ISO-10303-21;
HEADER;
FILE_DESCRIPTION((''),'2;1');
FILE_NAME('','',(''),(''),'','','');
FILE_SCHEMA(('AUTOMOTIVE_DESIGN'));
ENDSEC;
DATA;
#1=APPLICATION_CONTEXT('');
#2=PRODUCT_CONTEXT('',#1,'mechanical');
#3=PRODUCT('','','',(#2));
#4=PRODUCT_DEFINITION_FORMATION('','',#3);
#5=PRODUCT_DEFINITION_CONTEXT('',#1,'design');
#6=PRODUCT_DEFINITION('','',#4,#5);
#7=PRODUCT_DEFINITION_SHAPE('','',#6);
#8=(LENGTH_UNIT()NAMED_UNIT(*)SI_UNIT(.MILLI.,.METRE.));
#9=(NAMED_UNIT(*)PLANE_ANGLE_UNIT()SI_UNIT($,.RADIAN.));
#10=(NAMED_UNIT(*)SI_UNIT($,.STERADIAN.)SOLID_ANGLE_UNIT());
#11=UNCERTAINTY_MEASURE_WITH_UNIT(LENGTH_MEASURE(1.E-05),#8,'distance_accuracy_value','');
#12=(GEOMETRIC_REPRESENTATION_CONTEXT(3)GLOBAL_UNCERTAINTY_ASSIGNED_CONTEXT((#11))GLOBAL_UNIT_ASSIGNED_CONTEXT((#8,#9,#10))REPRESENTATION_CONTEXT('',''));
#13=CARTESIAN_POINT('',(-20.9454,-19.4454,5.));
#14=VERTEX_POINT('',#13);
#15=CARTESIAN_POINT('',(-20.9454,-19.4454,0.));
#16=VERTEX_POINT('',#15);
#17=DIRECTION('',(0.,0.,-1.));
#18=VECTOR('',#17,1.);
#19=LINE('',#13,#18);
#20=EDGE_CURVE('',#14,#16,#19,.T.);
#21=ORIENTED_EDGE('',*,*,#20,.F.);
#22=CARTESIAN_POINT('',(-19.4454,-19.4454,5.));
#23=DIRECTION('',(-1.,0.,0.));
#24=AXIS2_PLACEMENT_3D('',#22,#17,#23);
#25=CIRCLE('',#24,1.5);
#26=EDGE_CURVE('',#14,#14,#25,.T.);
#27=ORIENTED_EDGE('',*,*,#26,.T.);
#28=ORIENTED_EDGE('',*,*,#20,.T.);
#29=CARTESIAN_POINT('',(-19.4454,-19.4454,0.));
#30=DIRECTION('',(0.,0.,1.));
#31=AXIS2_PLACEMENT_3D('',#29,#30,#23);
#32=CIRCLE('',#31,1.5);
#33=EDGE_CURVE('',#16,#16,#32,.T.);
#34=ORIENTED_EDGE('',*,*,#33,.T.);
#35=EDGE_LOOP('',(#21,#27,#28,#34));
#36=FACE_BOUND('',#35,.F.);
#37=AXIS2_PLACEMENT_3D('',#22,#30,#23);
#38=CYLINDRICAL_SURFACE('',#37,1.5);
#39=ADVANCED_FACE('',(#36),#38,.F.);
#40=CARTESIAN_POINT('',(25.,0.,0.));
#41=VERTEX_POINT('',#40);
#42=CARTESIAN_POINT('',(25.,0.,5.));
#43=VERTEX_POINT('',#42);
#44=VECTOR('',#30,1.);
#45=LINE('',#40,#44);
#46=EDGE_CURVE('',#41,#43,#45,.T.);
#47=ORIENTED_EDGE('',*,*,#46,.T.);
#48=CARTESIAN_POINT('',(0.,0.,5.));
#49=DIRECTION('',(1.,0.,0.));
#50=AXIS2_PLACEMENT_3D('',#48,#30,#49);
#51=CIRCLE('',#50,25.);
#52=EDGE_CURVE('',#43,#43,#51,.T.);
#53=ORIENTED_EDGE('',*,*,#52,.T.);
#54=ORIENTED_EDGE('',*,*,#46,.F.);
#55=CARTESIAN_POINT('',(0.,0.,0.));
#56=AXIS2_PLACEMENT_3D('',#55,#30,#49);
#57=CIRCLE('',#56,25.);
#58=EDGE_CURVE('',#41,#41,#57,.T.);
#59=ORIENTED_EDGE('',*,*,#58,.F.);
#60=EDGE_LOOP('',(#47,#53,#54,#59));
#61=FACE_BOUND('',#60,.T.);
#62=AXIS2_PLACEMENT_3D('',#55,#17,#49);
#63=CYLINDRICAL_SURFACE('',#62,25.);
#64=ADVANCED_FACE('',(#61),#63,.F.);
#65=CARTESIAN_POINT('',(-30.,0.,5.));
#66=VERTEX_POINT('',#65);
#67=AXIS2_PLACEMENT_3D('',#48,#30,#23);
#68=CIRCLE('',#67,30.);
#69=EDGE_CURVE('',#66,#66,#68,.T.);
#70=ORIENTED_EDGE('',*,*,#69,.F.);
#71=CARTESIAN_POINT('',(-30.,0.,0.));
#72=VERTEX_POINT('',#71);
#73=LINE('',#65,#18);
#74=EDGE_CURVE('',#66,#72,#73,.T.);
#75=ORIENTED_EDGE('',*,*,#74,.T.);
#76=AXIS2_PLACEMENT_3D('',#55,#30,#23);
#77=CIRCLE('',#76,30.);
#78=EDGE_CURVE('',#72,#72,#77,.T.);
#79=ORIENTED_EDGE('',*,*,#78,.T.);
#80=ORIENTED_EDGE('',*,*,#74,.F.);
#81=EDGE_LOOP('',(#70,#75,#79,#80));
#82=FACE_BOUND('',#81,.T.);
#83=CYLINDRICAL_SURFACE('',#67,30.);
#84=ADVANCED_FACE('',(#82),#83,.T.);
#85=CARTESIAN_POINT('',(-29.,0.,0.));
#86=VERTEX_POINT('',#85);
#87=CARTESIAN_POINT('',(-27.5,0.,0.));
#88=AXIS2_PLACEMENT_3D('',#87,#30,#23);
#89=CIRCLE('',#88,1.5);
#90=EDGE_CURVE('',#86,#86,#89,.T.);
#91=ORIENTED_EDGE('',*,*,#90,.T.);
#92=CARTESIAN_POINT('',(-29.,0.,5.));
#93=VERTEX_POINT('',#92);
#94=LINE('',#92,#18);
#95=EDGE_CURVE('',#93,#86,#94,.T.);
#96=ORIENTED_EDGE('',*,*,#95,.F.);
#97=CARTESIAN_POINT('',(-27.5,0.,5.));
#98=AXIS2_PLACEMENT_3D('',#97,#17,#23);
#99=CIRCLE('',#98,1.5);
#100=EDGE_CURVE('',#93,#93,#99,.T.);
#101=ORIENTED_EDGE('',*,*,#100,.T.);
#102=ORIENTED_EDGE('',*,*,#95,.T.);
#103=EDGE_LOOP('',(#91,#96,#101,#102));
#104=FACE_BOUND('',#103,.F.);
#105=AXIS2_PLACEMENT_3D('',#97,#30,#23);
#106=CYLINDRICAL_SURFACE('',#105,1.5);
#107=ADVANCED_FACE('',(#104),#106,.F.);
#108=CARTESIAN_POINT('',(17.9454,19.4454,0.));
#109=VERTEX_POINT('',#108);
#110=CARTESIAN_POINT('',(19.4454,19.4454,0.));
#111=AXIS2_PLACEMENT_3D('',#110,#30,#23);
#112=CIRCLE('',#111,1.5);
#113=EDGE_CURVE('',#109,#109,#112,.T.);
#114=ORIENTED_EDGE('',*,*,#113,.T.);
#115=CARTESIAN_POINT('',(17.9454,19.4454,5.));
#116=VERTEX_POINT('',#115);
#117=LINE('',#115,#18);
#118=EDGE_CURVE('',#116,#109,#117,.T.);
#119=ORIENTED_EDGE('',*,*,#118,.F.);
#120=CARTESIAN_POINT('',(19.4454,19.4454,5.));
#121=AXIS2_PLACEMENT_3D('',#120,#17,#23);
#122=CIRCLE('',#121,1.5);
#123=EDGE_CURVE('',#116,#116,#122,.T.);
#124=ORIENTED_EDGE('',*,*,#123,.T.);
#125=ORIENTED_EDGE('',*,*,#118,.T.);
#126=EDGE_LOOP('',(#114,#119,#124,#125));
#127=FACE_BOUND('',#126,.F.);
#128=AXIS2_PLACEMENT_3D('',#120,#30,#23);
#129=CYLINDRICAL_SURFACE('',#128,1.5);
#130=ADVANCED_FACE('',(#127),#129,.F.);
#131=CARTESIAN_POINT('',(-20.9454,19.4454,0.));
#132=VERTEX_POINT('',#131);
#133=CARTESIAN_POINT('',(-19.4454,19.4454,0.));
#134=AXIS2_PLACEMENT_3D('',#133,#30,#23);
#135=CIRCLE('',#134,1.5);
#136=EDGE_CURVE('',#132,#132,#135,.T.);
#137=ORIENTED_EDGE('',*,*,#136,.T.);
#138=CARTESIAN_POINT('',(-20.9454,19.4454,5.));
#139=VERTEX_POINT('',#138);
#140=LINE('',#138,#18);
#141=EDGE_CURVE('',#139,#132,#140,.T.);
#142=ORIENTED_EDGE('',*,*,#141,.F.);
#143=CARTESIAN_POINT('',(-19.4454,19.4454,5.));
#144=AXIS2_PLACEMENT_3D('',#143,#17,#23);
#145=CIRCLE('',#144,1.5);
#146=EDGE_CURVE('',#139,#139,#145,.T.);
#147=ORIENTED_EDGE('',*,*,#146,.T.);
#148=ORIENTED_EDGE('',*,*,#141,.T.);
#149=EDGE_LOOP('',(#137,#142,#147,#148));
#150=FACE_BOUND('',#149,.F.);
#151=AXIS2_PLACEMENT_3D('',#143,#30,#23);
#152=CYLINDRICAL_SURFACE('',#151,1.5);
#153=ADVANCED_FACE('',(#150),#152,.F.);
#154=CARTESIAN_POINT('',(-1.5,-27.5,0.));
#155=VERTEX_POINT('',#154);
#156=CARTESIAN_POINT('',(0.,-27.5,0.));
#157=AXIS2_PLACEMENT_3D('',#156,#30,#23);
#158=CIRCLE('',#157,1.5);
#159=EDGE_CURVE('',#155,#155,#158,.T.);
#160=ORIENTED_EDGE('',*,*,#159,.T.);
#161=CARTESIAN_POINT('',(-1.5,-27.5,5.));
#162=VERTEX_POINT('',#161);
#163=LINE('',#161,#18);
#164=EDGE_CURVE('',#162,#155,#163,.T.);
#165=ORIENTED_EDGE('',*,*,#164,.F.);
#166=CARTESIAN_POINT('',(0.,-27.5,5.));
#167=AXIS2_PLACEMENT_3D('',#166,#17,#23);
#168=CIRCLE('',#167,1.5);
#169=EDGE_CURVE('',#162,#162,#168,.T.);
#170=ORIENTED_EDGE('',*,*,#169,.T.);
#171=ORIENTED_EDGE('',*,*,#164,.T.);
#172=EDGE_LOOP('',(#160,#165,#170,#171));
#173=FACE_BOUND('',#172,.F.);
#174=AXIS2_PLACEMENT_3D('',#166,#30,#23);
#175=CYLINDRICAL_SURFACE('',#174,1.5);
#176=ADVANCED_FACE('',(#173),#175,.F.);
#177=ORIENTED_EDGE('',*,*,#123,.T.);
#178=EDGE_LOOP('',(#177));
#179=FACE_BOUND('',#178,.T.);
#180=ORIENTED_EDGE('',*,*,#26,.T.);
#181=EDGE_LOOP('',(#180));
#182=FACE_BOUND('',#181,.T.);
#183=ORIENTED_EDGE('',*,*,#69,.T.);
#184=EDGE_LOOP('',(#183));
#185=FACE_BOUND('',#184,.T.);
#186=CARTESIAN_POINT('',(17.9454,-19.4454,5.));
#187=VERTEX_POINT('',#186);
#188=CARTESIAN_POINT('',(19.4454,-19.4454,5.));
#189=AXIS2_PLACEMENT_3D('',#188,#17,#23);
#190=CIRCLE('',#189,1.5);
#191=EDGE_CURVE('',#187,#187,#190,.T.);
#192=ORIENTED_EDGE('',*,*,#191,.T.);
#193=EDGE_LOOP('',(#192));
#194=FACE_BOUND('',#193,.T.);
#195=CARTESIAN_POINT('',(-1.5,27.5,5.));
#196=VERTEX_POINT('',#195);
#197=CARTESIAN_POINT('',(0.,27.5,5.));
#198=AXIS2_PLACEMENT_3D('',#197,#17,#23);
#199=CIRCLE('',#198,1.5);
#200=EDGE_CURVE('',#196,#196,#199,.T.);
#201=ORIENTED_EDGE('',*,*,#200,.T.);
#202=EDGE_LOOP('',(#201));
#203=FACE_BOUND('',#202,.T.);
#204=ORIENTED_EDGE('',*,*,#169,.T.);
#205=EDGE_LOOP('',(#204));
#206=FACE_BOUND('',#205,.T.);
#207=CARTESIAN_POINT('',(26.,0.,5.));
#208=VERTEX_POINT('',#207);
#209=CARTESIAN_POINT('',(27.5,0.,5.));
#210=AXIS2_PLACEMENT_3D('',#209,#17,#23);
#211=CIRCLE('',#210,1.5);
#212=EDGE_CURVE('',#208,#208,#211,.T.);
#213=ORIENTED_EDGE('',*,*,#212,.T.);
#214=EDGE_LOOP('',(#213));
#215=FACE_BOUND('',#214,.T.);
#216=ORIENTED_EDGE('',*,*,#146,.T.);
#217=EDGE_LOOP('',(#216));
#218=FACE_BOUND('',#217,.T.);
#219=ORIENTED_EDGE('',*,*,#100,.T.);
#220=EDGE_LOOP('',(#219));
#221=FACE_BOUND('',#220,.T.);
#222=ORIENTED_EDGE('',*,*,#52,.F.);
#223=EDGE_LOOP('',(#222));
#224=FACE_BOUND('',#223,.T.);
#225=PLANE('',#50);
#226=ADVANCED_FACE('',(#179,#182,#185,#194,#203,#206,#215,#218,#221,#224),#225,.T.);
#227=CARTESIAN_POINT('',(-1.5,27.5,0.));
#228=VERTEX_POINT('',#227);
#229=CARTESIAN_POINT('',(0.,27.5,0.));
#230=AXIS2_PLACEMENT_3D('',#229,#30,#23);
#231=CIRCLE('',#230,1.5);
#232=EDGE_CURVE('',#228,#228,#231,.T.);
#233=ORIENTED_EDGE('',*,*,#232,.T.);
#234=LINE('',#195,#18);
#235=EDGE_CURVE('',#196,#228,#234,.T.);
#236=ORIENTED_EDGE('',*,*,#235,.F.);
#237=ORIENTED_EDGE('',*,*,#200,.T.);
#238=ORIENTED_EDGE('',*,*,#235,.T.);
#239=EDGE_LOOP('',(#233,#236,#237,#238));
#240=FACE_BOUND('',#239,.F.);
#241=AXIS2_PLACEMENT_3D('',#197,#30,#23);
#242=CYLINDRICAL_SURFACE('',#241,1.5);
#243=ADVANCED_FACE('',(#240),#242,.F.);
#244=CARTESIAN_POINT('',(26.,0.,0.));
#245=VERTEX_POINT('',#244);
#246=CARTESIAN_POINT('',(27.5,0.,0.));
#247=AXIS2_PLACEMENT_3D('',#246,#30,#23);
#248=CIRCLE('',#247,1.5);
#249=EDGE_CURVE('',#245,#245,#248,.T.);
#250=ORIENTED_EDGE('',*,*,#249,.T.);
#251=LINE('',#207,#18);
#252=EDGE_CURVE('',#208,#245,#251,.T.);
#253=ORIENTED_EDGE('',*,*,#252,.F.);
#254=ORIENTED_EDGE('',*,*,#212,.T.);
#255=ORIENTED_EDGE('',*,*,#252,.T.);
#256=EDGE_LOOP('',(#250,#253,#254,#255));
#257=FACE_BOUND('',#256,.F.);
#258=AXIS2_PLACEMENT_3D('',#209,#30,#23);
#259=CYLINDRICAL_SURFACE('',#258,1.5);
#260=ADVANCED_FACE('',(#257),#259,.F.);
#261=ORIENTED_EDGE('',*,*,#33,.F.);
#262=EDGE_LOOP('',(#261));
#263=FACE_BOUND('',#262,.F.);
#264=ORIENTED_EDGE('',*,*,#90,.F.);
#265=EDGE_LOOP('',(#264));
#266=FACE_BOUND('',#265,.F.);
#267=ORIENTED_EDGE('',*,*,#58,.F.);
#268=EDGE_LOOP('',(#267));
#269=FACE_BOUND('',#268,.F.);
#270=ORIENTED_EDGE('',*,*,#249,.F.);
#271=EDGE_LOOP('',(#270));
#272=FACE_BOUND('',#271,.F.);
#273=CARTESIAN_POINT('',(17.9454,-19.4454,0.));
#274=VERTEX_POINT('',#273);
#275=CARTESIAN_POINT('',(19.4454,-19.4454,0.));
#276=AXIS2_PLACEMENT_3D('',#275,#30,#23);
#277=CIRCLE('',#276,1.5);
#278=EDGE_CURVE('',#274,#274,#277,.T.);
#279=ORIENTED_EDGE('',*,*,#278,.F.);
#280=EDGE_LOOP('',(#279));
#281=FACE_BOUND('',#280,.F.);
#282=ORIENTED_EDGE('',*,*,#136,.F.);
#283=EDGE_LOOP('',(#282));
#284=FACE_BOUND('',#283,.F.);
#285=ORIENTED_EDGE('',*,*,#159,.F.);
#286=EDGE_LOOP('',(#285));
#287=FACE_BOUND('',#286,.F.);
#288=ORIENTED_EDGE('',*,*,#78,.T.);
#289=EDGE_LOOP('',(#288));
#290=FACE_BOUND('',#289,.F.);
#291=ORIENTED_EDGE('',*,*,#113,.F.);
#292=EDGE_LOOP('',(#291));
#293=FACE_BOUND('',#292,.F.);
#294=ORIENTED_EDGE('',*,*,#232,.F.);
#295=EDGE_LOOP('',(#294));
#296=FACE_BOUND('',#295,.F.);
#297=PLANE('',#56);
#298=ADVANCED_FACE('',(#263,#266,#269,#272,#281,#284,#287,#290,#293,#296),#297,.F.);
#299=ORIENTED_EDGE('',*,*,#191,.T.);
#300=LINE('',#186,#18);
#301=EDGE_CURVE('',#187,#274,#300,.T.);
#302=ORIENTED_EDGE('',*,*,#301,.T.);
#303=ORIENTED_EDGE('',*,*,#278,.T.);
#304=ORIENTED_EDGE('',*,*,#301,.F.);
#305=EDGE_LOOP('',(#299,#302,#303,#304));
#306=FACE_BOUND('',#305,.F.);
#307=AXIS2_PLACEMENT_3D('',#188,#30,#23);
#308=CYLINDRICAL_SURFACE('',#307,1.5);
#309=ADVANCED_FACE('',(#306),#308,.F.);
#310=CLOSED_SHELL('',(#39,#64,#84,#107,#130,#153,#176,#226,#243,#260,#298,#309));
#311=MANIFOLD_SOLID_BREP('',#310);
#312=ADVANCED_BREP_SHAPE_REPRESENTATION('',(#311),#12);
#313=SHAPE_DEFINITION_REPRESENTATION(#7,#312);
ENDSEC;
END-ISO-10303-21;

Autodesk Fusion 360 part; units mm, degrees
sketch "スケッチ1" plane through (0, 0, 0) normal (0, 0, 1) x (1, 0, 0)
  circle A0 centre (0, 0) radius 25
  circle A1 centre (0, 0) radius 27.5
  dimension "d1" = 55
extrude "押し出し1" add sketch "スケッチ1" along normal blind 5
sketch "スケッチ2" plane through (0, 0, 5) normal (0, 0, 1) x (-1, 0, 0)
  circle A0 centre (0, 0) radius 25
  circle A1 centre (0, 0) radius 27.5
  circle A2 centre (0, 0) radius 30
extrude "押し出し2" add sketch "スケッチ2" against normal blind 5 contours A2
sketch "スケッチ3" plane through (0, 0, 5) normal (0, 0, 1) x (-1, 0, 0)
  circle A0 centre (0, 0) radius 30
  circle A1 centre (0, 0) radius 25
  circle A2 centre (0, 0) radius 27.5
  circle A3 centre (-27.5, 0) radius 1.5
  circle A4 centre (-19.4454, -19.4454) radius 1.5
  circle A5 centre (0, -27.5) radius 1.5
  circle A6 centre (19.4454, -19.4454) radius 1.5
  circle A7 centre (27.5, 0) radius 1.5
  circle A8 centre (19.4454, 19.4454) radius 1.5
  circle A9 centre (0, 27.5) radius 1.5
  circle A10 centre (-19.4454, 19.4454) radius 1.5
  dimension "d6" = 55
  dimension "d7" = 3
  dimension "d9" = 360
extrude "押し出し3" cut sketch "スケッチ3" against normal blind 6 contours A2 A7 | A2 A7 | A2 A8 | A2 A8 | A2 A6 | A2 A6 | A2 A9 | A2 A9 | A2 A5 | A2 A5 | A2 A10 | A2 A10 | A2 A4 | A2 A4 | A2 A3 | A2 A3
